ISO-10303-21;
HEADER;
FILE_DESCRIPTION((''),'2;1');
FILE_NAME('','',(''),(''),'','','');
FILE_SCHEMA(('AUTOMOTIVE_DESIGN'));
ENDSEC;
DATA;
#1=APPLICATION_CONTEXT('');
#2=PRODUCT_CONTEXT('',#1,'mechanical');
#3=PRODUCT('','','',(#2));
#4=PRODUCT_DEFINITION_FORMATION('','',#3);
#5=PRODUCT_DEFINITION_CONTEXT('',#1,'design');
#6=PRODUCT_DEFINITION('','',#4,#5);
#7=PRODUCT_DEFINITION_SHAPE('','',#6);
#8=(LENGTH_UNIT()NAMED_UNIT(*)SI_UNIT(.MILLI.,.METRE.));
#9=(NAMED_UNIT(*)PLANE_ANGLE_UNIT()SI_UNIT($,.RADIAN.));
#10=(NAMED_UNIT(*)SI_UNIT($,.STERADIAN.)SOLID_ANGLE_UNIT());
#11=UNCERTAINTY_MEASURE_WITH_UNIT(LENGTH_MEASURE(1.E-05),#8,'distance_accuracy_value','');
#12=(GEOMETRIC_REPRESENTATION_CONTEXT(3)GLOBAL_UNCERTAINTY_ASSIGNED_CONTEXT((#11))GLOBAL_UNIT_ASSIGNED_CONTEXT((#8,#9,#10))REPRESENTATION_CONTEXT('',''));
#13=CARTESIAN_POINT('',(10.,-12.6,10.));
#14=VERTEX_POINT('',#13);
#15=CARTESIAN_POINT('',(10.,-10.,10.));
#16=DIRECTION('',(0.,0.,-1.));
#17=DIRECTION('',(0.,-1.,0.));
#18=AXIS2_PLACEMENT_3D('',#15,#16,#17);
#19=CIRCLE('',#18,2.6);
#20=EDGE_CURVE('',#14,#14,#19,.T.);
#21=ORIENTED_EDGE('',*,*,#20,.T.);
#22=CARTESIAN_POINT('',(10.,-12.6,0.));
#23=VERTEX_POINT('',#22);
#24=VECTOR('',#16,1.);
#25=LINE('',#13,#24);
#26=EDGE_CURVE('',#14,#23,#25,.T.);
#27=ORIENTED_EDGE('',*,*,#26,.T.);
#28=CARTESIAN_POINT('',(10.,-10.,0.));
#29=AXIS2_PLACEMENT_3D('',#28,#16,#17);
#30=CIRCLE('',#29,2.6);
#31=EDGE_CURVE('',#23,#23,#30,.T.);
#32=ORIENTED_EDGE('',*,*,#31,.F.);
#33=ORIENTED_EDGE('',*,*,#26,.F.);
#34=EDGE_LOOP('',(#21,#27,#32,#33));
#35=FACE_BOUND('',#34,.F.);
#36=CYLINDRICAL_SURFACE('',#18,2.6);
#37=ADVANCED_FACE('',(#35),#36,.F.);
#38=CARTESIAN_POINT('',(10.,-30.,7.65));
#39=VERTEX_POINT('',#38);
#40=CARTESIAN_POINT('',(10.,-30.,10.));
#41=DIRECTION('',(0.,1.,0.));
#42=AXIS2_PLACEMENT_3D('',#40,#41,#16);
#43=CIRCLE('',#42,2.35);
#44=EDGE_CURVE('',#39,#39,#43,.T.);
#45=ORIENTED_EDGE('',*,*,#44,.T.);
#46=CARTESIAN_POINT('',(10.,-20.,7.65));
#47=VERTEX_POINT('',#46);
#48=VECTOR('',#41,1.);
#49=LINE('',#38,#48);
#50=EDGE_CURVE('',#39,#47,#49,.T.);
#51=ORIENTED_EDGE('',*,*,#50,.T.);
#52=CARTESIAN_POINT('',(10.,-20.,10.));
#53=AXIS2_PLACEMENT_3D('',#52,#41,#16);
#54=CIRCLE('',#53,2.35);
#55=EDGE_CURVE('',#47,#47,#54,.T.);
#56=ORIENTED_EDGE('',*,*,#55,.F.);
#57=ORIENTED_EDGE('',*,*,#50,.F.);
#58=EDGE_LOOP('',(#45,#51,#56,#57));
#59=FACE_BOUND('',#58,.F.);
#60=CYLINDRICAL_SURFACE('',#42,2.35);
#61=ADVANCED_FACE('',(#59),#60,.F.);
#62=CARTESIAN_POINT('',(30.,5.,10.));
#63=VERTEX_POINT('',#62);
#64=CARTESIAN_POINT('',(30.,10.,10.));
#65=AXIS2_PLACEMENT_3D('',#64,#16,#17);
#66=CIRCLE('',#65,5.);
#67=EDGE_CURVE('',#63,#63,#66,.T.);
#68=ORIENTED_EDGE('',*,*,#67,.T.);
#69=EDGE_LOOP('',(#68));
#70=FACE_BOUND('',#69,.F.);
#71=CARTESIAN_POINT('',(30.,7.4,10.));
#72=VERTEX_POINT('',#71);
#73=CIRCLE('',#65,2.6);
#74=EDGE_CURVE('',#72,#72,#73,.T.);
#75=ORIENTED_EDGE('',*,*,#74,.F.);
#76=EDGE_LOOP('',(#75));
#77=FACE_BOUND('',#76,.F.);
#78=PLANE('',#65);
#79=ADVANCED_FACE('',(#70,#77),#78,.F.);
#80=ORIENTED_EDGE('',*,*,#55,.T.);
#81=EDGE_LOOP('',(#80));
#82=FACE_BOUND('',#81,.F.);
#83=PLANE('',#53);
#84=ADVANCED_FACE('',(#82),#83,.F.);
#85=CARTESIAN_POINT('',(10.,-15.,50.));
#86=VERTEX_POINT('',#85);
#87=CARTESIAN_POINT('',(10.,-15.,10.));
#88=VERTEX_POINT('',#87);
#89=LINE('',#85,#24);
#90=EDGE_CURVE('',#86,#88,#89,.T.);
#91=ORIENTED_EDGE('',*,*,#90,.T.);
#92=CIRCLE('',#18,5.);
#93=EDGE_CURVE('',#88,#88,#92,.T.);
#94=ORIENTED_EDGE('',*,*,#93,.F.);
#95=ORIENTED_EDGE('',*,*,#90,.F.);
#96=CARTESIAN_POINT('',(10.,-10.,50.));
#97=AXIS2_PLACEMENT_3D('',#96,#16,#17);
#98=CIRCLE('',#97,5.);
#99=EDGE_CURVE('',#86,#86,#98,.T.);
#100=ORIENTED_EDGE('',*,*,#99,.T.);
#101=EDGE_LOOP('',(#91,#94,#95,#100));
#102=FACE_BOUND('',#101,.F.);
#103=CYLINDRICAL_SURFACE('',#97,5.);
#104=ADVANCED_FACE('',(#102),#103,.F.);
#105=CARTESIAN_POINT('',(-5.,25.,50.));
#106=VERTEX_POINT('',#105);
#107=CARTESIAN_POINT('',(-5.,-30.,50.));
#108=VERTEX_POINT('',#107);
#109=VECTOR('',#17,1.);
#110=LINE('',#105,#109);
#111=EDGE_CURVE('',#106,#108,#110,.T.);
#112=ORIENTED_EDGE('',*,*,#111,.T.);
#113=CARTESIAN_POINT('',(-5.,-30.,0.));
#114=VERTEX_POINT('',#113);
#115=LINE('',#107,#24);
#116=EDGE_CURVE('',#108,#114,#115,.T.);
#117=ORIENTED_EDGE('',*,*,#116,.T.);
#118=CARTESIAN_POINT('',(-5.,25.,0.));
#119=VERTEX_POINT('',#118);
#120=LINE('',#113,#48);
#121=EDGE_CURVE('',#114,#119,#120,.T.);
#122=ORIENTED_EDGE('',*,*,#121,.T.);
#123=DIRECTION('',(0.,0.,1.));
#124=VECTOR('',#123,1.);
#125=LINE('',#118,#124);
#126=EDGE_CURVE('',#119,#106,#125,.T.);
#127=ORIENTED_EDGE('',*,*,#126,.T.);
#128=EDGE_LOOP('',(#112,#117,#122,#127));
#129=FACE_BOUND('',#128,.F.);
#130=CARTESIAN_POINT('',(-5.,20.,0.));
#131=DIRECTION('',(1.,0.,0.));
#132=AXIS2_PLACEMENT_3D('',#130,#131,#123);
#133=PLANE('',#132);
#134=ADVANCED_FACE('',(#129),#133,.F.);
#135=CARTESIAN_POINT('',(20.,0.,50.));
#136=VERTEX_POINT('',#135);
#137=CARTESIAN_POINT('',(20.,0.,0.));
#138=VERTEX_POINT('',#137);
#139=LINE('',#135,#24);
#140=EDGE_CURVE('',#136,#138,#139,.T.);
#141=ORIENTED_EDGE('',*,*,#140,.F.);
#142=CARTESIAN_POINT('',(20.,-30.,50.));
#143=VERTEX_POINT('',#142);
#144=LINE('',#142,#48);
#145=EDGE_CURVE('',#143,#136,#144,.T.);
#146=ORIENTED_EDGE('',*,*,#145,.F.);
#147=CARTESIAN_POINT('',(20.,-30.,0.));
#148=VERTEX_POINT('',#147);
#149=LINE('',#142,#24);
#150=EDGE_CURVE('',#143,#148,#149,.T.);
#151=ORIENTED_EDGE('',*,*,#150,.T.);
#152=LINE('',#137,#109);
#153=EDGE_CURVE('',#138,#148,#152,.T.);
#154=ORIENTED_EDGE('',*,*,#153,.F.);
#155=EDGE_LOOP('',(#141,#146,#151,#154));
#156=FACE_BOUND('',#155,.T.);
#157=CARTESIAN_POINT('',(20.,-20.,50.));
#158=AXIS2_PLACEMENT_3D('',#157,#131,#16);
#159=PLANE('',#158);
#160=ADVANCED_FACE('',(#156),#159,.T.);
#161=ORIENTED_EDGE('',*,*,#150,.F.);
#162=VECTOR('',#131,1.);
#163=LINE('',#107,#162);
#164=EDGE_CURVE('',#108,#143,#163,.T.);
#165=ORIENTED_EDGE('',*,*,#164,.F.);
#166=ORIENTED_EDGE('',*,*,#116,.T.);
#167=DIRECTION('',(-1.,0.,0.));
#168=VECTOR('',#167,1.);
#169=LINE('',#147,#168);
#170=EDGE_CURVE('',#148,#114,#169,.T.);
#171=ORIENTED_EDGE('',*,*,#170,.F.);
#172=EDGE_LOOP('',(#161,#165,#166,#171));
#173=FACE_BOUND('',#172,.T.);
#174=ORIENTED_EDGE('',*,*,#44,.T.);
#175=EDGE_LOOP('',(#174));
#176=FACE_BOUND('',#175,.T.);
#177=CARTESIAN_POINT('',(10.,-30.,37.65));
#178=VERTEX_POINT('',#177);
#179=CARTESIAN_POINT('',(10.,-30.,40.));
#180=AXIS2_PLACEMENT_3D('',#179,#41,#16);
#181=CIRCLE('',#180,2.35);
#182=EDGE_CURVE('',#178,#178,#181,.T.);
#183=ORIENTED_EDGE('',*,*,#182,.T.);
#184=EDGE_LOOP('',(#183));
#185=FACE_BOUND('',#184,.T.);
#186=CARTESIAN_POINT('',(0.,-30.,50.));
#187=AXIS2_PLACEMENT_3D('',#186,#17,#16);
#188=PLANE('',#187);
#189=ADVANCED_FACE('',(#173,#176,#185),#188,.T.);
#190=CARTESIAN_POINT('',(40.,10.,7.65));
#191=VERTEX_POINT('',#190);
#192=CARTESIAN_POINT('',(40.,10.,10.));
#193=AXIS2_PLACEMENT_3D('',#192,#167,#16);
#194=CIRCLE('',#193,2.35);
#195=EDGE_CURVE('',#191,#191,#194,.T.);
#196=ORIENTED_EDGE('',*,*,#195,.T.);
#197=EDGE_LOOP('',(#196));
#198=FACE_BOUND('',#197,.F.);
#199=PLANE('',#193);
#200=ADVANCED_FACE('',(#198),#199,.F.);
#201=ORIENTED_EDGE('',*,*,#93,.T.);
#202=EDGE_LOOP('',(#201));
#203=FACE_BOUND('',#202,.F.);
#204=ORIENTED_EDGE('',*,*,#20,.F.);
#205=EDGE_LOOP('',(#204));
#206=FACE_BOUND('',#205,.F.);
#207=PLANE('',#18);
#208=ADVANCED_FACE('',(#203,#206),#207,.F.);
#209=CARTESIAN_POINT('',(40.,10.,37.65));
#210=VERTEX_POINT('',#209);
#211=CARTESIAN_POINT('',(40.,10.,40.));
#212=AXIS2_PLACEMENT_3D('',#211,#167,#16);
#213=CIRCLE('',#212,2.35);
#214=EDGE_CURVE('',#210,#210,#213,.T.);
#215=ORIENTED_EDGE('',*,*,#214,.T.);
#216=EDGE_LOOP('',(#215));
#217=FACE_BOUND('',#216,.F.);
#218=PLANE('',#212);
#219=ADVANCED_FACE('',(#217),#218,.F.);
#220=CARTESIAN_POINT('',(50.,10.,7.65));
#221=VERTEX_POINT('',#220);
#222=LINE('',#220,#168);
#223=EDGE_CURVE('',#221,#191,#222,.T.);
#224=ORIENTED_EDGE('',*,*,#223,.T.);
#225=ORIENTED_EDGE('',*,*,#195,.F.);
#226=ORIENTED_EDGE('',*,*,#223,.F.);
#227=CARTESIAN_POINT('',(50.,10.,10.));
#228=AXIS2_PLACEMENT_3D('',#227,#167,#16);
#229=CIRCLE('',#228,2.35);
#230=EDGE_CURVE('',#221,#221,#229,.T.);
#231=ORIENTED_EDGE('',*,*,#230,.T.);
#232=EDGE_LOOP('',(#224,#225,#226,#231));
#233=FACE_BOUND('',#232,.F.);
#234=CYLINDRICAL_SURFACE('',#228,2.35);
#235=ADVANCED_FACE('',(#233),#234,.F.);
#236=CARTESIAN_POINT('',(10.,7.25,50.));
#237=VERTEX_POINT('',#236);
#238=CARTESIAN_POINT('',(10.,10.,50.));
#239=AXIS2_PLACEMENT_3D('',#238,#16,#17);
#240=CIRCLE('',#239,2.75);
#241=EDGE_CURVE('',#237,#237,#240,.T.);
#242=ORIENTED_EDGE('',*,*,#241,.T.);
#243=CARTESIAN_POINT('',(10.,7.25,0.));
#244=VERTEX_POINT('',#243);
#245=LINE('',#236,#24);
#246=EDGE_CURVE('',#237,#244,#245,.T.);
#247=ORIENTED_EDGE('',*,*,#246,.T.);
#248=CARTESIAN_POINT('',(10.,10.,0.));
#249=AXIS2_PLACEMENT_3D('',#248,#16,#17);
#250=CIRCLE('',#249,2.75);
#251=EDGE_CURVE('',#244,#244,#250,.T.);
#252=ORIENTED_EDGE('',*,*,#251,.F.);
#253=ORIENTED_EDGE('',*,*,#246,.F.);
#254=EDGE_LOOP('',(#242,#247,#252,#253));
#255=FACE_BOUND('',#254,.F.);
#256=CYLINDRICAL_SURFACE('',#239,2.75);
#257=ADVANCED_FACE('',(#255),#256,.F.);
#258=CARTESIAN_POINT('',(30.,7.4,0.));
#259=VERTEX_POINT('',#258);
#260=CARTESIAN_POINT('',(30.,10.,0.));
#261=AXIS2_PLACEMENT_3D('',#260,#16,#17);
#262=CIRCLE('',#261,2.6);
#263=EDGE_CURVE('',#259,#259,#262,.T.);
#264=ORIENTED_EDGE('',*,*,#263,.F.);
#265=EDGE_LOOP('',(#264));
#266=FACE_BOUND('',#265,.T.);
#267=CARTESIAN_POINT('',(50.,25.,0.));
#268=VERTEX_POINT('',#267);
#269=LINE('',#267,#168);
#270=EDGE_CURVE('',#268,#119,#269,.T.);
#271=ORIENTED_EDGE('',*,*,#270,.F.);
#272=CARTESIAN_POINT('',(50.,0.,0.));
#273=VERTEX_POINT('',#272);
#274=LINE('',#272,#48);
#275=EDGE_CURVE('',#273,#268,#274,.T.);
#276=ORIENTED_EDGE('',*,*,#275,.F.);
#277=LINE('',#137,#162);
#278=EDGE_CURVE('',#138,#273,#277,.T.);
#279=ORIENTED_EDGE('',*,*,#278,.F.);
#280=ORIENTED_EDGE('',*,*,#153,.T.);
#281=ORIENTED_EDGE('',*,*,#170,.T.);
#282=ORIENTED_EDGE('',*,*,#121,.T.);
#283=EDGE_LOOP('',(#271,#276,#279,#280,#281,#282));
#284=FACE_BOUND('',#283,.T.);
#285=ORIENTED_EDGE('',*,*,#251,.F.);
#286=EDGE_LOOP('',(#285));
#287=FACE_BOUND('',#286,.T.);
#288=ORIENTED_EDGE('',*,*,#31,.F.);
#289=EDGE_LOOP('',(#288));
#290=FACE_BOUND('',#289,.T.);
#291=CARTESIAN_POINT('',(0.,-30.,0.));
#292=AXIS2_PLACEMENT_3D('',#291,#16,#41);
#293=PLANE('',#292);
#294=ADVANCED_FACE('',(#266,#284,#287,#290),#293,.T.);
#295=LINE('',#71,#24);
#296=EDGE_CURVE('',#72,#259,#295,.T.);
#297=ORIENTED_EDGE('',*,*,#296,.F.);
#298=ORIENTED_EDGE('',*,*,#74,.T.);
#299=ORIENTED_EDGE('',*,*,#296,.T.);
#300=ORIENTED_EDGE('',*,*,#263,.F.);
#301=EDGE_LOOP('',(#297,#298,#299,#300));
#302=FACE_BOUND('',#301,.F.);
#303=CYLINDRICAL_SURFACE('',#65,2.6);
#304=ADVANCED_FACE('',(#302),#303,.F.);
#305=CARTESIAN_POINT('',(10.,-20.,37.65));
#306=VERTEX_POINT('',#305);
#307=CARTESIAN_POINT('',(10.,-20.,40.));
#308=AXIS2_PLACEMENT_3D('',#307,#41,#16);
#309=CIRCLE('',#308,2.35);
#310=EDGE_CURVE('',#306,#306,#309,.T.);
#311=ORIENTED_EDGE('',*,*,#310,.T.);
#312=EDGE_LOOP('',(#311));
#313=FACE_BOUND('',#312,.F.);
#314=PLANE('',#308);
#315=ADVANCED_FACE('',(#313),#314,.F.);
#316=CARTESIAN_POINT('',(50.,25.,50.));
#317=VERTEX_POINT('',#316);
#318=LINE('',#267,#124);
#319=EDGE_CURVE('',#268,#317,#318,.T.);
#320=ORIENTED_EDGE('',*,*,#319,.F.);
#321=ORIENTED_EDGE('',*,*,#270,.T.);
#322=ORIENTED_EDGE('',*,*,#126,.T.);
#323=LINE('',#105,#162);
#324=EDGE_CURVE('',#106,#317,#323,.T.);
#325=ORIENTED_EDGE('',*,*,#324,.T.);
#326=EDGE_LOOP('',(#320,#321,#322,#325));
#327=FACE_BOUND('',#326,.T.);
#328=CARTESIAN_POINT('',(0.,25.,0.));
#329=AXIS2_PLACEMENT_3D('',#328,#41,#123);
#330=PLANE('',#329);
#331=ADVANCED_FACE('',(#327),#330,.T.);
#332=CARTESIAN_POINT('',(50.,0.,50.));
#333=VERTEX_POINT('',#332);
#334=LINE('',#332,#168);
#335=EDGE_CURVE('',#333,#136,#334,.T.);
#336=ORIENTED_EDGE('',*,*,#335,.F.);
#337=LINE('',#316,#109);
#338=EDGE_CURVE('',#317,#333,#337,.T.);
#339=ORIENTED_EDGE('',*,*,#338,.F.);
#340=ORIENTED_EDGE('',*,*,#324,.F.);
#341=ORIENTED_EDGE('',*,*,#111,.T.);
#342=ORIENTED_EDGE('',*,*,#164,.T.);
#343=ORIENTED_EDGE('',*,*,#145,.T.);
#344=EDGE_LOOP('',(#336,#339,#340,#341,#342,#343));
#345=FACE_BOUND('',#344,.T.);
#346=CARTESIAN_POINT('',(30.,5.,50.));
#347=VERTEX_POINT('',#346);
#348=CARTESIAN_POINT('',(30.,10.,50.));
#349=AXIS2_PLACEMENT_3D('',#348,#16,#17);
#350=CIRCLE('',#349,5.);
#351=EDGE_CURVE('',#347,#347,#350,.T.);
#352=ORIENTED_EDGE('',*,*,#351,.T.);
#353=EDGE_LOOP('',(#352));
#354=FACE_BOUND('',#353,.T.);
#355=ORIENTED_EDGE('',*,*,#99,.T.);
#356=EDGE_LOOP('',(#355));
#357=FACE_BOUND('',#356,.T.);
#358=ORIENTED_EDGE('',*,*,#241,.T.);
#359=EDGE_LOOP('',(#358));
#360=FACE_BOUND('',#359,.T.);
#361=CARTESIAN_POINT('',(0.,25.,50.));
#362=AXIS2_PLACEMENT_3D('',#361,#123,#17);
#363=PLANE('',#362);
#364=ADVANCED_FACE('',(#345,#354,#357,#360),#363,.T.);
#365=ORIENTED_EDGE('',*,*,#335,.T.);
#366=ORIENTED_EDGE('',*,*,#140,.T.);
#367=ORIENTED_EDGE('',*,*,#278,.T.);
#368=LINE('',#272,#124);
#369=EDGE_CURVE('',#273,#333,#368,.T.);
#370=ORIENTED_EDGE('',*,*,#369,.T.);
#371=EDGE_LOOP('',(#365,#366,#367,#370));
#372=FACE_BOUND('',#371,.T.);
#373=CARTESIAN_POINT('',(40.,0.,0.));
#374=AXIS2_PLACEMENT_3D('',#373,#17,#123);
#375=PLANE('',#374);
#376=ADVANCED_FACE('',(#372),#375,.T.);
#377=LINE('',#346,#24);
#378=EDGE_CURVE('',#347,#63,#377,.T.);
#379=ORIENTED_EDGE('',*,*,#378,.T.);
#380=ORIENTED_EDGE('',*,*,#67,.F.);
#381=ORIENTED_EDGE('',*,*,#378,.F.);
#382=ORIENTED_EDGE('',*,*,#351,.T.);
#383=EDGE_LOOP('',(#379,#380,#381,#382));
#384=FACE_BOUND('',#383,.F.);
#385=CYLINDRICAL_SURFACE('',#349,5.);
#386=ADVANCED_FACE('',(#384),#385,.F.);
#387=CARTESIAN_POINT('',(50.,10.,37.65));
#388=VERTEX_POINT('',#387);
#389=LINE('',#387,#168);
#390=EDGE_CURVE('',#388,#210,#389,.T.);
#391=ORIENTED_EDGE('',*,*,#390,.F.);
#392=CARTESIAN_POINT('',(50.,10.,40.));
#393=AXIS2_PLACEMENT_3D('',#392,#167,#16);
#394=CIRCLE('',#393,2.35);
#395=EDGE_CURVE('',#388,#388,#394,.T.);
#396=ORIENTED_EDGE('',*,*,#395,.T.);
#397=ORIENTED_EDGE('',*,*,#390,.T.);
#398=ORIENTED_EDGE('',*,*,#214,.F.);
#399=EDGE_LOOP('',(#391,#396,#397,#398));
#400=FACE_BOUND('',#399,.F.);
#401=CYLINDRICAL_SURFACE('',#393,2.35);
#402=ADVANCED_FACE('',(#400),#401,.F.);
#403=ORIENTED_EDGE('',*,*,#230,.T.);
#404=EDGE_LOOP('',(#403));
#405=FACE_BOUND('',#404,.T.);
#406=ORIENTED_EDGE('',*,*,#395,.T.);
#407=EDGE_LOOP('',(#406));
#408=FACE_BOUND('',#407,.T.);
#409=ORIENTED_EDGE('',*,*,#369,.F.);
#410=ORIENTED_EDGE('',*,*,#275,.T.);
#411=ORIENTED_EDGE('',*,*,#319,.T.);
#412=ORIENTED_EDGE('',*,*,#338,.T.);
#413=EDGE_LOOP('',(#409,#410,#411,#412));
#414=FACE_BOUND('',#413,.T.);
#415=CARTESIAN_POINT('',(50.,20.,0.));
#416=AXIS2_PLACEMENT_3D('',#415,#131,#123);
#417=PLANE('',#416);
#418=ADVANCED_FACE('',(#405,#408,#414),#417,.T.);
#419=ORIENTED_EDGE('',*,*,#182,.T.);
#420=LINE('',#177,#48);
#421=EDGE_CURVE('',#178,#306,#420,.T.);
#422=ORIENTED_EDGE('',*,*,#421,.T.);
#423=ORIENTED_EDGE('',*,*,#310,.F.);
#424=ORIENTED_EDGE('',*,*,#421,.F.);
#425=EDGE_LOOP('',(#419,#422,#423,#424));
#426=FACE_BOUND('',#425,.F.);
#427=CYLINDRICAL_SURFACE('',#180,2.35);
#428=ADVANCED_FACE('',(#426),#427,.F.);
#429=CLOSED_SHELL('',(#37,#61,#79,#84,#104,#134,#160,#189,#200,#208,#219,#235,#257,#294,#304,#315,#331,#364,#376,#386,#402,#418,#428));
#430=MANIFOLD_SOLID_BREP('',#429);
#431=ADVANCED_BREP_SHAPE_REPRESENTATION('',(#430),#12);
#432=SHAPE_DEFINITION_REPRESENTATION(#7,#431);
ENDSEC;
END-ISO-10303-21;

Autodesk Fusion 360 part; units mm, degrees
sketch "Skizze1" plane through (0, 0, 0) normal (0, 0, 1) x (1, 0, 0)
  line L0 (0, 0) -> (20, 0)
  line L1 (20, 0) -> (20, 20)
  line L2 (20, 20) -> (0, 20)
  line L3 (0, 20) -> (0, 0)
  dimension "d1" = 20
  dimension "d2" = 20
extrude "Extrusion1" add sketch "Skizze1" along normal blind 50
extrude "Extrusion2" add 1 faces at (20, 6.6667, 16.6667) along direction (1, 0, 0) blind 20
sketch "Skizze2" plane through (0, 0, 0) normal (0, -1, 0) x (1, 0, 0)
  line L0 (0, 0) -> (40, 0)
  line L1 (40, 0) -> (40, 50)
  line L2 (40, 50) -> (0, 50)
  line L3 (0, 50) -> (0, 0)
  line L4 (0, 50) -> (20, 50)
  line L5 (20, 50) -> (20, 0)
  line L6 (20, 0) -> (0, 0)
  line L7 (0, 0) -> (0, 50)
  dimension "d7" = 20
  dimension "d8" = 50
extrude "Extrusion3" add sketch "Skizze2" along normal blind 20 contours L0 L2 L3 L4 L5 L6 L7
hole "Bohrung1" at (10, 10, 50) direction (0, 0, -1) diameter 5.5 depth 50 tip angle 118
hole "Bohrung2" at (30, 10, 50) direction (0, 0, -1) diameter 5.2 depth 50 tip angle 118 counterbore diameter 10 counterbore depth 40
hole "Bohrung3" at (10, -10, 50) direction (0, 0, -1) diameter 5.2 depth 50 tip angle 180 counterbore diameter 10 counterbore depth 40
extrude "Extrusion4" add 1 faces at (40, 6.6667, 16.6667) along direction (1, 0, 0) blind 10
extrude "Extrusion5" add 1 faces at (6.6667, -20, 16.6667) along direction (0, -1, 0) blind 10
hole "Bohrung4" at (50, 10, 40) direction (-1, 0, 0) diameter 4.7 depth 10 tip angle 180
hole "Bohrung5" at (50, 10, 10) direction (-1, 0, 0) diameter 4.7 depth 10 tip angle 180
hole "Bohrung6" at (10, -30, 40) direction (0, 1, 0) diameter 4.7 depth 10 tip angle 180
hole "Bohrung7" at (10, -30, 10) direction (0, 1, 0) diameter 4.7 depth 10 tip angle 180
extrude "Extrusion6" add 1 faces at (33.3333, 20, 33.3333) along direction (0, 1, 0) blind 5
extrude "Extrusion7" add 1 faces at (0, 6.6667, 33.3333) along direction (-1, 0, 0) blind 5
